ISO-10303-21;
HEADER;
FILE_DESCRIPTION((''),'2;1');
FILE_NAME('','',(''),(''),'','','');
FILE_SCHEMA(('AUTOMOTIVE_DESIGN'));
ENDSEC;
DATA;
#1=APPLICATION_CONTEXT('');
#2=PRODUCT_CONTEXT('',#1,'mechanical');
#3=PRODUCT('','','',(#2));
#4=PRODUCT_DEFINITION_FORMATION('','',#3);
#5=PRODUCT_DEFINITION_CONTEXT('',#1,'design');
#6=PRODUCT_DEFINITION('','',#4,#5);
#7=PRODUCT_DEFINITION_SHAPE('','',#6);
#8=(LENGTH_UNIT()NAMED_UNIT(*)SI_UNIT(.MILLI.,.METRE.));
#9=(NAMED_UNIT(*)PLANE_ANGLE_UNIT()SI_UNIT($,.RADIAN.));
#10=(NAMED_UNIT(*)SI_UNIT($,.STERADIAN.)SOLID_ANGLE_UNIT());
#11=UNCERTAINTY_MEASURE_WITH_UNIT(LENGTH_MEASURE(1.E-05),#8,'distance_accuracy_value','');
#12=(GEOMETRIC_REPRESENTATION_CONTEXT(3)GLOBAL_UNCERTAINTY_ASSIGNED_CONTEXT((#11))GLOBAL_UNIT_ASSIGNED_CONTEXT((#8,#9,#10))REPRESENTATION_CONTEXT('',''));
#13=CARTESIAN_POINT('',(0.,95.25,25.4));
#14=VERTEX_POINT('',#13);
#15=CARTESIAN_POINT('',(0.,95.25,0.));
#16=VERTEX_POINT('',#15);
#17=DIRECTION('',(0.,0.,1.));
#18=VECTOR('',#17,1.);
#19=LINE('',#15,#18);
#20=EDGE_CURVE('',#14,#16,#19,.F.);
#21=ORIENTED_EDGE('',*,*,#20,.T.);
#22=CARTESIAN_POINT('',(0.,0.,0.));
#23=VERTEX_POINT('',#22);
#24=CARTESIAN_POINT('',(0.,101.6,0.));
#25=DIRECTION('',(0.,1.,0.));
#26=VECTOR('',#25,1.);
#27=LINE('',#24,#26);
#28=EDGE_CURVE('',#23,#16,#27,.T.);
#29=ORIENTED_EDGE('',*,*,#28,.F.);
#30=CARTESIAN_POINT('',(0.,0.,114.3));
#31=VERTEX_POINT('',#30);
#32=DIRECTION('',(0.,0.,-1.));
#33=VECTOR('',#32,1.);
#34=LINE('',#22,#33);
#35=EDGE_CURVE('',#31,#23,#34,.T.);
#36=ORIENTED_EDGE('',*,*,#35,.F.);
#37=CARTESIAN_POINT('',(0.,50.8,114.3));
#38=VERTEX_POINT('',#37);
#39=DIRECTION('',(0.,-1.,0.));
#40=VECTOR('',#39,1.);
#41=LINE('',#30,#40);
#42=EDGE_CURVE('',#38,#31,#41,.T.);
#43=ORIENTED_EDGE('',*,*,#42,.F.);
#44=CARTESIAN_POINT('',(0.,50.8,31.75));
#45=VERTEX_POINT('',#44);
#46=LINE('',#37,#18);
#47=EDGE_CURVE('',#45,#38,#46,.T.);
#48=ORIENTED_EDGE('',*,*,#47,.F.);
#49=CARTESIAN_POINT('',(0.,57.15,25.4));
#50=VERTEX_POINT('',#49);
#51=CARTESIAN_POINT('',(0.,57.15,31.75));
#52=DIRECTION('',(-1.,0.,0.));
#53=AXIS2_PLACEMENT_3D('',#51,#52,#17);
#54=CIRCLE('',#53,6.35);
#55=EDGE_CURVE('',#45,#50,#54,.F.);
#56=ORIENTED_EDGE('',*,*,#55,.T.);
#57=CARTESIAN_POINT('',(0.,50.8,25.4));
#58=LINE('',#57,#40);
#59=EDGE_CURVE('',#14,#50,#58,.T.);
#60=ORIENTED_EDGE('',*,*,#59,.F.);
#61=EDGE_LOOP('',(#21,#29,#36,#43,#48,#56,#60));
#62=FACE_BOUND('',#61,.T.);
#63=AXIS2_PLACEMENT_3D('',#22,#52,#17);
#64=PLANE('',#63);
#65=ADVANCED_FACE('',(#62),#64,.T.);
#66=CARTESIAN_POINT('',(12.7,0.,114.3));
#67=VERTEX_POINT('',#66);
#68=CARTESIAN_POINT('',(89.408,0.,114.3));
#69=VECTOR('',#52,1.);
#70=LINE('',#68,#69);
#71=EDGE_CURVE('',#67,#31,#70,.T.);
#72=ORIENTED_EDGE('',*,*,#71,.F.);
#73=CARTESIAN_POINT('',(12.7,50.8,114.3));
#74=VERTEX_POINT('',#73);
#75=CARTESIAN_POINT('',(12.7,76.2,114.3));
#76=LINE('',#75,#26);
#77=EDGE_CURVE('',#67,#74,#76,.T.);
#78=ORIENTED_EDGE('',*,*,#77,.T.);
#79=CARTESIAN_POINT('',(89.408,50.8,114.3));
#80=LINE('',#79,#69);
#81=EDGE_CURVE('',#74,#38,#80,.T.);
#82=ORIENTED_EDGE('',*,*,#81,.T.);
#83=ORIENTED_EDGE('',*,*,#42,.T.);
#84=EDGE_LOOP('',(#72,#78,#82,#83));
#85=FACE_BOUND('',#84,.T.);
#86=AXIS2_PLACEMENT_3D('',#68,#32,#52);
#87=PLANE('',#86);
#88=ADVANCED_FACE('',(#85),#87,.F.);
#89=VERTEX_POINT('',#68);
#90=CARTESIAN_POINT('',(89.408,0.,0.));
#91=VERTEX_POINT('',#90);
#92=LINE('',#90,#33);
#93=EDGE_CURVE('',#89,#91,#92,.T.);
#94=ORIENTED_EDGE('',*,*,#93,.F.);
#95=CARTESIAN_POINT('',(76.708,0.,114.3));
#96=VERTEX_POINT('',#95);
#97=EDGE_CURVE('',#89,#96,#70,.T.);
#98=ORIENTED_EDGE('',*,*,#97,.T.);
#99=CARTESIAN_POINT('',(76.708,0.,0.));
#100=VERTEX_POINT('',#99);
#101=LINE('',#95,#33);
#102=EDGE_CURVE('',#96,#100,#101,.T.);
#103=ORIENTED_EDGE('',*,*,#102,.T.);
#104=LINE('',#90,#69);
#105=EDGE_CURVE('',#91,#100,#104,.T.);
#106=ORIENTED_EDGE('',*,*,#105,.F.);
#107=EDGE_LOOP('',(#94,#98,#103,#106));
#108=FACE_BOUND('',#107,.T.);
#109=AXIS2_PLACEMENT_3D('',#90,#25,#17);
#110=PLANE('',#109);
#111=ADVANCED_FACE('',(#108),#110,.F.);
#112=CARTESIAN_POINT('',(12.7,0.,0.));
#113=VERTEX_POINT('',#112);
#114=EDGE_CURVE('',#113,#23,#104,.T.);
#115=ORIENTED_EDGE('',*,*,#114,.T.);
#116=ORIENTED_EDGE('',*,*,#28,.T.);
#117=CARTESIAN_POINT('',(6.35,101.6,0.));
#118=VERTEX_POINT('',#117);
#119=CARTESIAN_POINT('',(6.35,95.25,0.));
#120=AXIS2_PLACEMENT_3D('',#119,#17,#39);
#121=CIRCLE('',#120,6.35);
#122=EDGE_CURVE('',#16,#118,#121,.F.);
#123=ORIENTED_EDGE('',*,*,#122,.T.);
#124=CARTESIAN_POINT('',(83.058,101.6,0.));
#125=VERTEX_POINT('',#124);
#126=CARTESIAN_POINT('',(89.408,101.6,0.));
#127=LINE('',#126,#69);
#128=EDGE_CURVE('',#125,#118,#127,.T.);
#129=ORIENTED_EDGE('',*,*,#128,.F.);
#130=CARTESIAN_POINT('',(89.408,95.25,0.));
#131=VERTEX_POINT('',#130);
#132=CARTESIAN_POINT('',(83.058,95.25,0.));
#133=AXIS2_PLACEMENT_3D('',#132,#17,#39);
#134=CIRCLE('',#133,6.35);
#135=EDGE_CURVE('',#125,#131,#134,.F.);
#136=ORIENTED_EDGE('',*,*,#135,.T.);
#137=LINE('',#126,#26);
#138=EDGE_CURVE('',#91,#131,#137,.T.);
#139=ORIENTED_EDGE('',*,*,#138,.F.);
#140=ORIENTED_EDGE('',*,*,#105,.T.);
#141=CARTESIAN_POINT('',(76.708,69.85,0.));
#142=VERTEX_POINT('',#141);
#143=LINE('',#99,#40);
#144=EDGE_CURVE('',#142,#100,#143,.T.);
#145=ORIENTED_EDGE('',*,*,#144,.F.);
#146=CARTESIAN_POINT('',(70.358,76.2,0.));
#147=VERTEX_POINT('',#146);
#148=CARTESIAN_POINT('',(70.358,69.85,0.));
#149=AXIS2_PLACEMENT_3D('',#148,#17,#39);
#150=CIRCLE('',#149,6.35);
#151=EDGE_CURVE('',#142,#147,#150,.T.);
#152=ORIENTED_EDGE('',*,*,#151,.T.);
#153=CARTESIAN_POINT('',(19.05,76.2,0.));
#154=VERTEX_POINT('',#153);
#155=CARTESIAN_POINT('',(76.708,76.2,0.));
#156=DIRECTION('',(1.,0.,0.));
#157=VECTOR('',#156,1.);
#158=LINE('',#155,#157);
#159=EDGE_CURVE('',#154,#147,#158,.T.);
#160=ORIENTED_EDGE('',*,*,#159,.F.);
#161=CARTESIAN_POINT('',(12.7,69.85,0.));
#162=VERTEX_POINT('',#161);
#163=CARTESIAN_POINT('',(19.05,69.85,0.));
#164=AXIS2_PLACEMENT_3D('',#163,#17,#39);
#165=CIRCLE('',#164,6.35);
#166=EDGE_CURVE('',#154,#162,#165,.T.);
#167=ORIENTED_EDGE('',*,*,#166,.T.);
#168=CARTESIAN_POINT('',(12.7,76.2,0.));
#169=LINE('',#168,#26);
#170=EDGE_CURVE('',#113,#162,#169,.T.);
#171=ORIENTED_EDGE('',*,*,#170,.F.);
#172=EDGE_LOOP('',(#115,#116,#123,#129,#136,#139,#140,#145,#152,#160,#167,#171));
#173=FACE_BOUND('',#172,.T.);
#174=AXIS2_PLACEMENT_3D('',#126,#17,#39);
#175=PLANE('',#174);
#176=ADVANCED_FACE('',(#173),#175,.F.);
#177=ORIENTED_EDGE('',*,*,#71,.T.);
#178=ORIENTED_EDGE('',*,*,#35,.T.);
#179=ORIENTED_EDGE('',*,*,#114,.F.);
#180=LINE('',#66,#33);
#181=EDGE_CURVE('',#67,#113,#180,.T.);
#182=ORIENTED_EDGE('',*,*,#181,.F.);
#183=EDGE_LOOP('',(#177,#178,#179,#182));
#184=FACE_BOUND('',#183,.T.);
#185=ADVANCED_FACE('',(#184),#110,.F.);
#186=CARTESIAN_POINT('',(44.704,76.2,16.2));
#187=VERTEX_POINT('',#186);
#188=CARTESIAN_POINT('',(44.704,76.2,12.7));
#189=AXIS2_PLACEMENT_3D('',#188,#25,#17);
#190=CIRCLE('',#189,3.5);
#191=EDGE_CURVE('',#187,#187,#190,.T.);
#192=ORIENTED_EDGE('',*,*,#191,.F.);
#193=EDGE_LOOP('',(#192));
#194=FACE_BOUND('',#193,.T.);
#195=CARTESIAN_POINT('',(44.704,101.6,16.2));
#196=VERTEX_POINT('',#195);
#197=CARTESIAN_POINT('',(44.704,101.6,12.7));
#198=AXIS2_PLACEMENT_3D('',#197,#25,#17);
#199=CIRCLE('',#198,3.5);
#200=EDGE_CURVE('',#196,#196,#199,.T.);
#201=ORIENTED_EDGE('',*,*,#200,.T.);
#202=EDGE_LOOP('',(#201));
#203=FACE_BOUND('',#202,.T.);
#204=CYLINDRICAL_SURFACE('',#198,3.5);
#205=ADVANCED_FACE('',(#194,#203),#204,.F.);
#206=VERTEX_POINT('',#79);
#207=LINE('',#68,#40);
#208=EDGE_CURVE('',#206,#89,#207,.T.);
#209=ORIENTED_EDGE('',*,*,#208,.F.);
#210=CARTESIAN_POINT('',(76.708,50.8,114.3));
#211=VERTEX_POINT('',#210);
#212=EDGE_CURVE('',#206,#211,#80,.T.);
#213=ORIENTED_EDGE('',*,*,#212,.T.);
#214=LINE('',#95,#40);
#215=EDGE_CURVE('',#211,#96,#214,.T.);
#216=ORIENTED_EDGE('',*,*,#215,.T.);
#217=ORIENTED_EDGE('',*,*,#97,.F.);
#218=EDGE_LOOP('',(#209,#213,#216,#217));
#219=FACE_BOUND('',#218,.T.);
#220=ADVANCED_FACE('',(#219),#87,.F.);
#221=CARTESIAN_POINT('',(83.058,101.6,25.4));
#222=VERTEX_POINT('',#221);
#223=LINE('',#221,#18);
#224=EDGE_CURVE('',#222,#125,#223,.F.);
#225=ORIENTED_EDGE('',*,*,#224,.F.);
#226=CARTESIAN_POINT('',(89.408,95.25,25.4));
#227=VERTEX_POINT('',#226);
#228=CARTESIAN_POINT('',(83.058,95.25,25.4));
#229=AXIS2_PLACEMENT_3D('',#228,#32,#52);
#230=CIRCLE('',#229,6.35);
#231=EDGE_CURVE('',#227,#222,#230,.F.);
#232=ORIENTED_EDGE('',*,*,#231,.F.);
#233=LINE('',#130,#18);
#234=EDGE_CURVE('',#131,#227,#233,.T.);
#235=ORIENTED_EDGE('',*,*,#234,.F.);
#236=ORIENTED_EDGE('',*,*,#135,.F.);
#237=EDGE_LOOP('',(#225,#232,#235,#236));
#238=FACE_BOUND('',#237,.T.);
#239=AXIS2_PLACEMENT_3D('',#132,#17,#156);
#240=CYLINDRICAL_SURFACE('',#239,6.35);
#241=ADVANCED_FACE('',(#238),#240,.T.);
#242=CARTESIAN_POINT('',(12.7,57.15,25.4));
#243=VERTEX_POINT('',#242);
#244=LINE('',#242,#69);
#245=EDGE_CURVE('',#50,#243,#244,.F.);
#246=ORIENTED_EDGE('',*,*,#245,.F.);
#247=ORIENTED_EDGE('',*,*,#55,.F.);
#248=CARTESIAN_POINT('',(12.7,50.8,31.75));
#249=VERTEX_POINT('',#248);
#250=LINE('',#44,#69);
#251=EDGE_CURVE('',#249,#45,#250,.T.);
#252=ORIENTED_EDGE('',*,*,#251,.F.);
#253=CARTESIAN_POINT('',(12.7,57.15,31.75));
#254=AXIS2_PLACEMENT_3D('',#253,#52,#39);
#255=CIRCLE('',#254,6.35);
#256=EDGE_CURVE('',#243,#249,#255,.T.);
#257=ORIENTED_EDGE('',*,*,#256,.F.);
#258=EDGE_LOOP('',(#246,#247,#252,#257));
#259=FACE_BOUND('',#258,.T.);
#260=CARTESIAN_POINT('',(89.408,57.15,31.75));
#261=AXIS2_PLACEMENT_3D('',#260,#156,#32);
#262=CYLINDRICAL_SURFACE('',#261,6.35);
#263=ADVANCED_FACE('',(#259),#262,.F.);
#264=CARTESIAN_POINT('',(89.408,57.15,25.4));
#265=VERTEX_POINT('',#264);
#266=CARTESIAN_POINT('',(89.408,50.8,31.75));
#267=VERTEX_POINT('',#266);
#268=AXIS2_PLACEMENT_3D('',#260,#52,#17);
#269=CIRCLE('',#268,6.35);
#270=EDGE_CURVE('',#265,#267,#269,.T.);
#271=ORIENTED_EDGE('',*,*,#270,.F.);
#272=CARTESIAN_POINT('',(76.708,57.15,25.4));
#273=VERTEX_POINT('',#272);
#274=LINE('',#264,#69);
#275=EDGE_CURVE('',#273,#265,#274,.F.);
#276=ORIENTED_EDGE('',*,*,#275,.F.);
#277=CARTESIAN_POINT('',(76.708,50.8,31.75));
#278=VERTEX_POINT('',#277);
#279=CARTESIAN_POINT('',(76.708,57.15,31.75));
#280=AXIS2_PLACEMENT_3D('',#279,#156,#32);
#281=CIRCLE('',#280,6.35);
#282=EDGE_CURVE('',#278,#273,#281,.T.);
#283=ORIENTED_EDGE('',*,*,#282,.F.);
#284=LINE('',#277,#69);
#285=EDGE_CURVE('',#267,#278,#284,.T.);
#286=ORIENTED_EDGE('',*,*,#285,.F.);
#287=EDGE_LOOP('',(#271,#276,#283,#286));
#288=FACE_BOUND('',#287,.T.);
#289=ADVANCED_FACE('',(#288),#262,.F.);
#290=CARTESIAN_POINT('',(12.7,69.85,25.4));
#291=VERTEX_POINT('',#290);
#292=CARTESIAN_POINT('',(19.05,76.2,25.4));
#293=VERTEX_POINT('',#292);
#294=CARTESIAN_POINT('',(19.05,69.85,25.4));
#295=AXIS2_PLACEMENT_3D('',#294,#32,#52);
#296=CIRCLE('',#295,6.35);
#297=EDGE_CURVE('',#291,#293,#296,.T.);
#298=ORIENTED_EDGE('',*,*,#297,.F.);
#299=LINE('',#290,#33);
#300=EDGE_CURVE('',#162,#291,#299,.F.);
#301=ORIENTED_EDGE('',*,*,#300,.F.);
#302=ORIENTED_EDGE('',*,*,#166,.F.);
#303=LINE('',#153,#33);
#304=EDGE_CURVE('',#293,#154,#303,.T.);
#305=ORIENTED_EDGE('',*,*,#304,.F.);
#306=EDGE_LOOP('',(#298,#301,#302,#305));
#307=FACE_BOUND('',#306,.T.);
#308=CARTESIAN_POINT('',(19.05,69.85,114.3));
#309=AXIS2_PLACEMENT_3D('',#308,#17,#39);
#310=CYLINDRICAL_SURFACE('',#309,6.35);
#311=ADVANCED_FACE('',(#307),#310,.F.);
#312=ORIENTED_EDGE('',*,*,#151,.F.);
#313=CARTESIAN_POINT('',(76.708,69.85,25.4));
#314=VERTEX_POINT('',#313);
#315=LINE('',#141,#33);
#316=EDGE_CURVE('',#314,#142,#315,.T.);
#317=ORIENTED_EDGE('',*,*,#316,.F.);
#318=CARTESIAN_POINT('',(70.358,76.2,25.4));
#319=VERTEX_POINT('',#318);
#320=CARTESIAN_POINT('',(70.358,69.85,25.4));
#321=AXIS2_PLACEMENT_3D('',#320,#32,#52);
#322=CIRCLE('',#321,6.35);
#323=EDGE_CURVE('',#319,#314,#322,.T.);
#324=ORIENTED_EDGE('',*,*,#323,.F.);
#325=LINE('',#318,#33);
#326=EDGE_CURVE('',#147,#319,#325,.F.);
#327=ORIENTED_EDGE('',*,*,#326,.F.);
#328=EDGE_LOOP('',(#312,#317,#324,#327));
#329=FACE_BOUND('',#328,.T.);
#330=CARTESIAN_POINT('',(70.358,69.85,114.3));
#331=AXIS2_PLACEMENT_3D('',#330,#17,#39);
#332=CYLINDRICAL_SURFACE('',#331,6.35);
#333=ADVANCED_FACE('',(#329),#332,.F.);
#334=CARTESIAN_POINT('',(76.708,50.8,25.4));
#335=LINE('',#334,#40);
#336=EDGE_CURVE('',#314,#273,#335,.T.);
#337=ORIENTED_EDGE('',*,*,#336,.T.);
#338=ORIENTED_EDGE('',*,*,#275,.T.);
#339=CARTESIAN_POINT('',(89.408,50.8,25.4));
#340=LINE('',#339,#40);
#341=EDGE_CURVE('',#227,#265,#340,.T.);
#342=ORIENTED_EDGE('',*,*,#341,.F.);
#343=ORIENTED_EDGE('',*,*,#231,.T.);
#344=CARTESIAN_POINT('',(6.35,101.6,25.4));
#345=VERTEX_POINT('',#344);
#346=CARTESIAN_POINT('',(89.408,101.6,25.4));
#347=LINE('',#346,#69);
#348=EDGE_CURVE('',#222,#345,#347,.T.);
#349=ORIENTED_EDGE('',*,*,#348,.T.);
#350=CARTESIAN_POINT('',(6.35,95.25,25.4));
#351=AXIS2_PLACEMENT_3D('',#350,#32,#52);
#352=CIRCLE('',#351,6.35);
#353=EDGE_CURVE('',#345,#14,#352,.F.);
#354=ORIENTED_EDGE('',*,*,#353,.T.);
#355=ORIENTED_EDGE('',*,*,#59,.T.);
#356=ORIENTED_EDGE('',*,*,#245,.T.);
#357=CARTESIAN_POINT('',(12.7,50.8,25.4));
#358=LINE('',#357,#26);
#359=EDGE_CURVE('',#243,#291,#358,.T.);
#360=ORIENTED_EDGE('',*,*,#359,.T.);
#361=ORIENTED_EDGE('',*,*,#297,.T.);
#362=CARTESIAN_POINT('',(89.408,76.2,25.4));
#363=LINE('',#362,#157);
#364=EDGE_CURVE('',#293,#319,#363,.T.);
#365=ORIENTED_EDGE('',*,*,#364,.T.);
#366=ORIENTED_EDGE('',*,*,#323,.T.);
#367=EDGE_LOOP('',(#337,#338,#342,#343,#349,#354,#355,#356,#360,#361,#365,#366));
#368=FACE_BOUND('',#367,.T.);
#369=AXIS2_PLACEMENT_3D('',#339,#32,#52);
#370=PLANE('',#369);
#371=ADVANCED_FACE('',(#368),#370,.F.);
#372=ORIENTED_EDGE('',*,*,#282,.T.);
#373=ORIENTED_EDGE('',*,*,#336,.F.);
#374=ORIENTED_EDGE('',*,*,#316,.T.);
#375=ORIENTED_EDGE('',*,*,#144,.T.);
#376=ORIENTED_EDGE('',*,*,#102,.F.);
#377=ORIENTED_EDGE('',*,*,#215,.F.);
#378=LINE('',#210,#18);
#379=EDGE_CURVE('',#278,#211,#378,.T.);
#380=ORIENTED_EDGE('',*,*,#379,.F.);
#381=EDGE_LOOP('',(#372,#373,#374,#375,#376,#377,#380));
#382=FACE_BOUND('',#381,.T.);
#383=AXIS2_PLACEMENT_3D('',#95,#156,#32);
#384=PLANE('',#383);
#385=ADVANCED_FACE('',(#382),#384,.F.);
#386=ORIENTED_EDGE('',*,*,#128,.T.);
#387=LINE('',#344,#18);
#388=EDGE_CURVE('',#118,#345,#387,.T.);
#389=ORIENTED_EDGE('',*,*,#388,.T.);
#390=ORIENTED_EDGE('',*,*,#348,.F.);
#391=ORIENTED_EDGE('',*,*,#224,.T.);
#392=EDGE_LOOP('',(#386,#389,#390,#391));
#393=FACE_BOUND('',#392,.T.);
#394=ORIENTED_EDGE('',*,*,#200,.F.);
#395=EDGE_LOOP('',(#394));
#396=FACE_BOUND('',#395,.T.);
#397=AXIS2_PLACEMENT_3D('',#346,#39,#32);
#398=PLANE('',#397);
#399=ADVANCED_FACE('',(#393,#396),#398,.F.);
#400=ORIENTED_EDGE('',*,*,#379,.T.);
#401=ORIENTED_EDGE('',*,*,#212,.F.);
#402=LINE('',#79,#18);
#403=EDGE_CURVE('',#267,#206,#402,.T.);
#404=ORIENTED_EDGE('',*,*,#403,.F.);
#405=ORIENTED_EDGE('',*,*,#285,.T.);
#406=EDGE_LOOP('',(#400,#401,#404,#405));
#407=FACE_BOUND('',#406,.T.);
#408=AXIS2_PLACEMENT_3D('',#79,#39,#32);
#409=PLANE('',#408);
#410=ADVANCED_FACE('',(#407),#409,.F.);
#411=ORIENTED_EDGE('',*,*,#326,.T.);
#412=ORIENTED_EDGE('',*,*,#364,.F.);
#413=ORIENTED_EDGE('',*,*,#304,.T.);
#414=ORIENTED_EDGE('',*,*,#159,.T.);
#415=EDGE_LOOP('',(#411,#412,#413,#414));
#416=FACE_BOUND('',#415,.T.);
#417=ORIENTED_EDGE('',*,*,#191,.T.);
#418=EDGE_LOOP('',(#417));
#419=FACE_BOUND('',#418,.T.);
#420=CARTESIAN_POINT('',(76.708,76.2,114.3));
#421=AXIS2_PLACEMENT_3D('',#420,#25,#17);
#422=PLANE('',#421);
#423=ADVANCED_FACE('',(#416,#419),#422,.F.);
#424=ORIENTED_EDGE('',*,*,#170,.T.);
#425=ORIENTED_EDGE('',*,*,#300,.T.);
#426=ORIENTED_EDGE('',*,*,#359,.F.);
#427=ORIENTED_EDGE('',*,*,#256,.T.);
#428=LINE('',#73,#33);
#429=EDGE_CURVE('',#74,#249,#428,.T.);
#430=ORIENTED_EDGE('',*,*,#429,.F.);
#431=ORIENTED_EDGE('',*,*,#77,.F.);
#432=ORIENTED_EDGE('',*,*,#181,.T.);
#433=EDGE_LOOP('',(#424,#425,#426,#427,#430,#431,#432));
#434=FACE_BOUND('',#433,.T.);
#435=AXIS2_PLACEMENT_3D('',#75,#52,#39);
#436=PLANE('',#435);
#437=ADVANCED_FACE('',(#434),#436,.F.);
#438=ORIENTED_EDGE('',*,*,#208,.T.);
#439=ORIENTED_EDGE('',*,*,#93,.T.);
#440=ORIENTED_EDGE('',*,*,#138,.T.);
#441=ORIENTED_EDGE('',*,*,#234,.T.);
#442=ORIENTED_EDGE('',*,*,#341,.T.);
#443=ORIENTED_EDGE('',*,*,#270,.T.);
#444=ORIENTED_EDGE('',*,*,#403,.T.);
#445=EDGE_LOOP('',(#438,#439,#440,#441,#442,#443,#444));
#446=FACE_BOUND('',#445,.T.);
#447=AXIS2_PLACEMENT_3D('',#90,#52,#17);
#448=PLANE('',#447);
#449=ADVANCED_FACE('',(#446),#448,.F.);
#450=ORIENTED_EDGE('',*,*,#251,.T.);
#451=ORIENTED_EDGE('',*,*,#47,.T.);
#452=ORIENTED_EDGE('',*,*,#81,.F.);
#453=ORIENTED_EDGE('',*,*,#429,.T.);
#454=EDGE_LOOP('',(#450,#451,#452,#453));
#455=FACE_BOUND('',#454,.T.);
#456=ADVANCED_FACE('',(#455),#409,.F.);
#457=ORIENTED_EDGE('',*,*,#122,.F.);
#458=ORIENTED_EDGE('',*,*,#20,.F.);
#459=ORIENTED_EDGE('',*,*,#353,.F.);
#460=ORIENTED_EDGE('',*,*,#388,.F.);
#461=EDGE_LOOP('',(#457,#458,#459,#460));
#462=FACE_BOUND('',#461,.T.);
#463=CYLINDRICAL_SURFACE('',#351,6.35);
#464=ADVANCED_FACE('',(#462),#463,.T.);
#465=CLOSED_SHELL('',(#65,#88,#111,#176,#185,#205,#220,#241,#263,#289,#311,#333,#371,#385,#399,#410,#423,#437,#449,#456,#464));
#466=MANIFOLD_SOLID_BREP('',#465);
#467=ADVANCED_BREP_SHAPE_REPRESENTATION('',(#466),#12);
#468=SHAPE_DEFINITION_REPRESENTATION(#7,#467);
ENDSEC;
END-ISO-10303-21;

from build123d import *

# Parameters (mm, degrees)
BOSS_EXTRUDE1_DEPTH   = 89.408
SKETCH2_W             = 64.008
SKETCH2_H             = 76.2
CUT_EXTRUDE1_DEPTH    = 178.146381459
F_7_0MM_DOWEL_HOLE1_D = 7
FILLET1_R             = 6.35


with BuildPart() as part:
    # Sketch1 → Boss-Extrude1 (new body)
    with BuildSketch(Plane(origin=(0, 0, 0), x_dir=(0, 0, -1), z_dir=(1, 0, 0))):
        Polygon((0, 0), (-114.3, 0), (-114.3, 50.8), (-25.4, 50.8), (-25.4, 101.6), (0, 101.6), align=None)
    extrude(amount=BOSS_EXTRUDE1_DEPTH)

    # Sketch2 → Cut-Extrude1 (cut, through all)
    with BuildSketch(Plane(origin=(0, 0, 0), x_dir=(-1, 0, 0), z_dir=(0, 0, -1))):
        with Locations((-44.704, 38.1)):
            Rectangle(SKETCH2_W, SKETCH2_H)
    extrude(amount=-CUT_EXTRUDE1_DEPTH, mode=Mode.SUBTRACT)

    # Ø7.0mm Dowel Hole1 (through all)
    with Locations(Plane(origin=(0, 101.6, 0), x_dir=(1, 0, 0), z_dir=(0, 1, 0))):
        with Locations((44.704, -12.7)):
            Hole(F_7_0MM_DOWEL_HOLE1_D / 2)

    # Fillet1
    fillet1_edges = [part.edges().sort_by_distance(p)[0] for p in [
        (83.058, 50.8, 25.4),
        (6.35, 50.8, 25.4),
        (76.708, 76.2, 12.7),
        (12.7, 76.2, 12.7),
        (0, 101.6, 12.7),
        (89.408, 101.6, 12.7),
    ]]
    fillet(fillet1_edges, radius=FILLET1_R)


solid = part.part
